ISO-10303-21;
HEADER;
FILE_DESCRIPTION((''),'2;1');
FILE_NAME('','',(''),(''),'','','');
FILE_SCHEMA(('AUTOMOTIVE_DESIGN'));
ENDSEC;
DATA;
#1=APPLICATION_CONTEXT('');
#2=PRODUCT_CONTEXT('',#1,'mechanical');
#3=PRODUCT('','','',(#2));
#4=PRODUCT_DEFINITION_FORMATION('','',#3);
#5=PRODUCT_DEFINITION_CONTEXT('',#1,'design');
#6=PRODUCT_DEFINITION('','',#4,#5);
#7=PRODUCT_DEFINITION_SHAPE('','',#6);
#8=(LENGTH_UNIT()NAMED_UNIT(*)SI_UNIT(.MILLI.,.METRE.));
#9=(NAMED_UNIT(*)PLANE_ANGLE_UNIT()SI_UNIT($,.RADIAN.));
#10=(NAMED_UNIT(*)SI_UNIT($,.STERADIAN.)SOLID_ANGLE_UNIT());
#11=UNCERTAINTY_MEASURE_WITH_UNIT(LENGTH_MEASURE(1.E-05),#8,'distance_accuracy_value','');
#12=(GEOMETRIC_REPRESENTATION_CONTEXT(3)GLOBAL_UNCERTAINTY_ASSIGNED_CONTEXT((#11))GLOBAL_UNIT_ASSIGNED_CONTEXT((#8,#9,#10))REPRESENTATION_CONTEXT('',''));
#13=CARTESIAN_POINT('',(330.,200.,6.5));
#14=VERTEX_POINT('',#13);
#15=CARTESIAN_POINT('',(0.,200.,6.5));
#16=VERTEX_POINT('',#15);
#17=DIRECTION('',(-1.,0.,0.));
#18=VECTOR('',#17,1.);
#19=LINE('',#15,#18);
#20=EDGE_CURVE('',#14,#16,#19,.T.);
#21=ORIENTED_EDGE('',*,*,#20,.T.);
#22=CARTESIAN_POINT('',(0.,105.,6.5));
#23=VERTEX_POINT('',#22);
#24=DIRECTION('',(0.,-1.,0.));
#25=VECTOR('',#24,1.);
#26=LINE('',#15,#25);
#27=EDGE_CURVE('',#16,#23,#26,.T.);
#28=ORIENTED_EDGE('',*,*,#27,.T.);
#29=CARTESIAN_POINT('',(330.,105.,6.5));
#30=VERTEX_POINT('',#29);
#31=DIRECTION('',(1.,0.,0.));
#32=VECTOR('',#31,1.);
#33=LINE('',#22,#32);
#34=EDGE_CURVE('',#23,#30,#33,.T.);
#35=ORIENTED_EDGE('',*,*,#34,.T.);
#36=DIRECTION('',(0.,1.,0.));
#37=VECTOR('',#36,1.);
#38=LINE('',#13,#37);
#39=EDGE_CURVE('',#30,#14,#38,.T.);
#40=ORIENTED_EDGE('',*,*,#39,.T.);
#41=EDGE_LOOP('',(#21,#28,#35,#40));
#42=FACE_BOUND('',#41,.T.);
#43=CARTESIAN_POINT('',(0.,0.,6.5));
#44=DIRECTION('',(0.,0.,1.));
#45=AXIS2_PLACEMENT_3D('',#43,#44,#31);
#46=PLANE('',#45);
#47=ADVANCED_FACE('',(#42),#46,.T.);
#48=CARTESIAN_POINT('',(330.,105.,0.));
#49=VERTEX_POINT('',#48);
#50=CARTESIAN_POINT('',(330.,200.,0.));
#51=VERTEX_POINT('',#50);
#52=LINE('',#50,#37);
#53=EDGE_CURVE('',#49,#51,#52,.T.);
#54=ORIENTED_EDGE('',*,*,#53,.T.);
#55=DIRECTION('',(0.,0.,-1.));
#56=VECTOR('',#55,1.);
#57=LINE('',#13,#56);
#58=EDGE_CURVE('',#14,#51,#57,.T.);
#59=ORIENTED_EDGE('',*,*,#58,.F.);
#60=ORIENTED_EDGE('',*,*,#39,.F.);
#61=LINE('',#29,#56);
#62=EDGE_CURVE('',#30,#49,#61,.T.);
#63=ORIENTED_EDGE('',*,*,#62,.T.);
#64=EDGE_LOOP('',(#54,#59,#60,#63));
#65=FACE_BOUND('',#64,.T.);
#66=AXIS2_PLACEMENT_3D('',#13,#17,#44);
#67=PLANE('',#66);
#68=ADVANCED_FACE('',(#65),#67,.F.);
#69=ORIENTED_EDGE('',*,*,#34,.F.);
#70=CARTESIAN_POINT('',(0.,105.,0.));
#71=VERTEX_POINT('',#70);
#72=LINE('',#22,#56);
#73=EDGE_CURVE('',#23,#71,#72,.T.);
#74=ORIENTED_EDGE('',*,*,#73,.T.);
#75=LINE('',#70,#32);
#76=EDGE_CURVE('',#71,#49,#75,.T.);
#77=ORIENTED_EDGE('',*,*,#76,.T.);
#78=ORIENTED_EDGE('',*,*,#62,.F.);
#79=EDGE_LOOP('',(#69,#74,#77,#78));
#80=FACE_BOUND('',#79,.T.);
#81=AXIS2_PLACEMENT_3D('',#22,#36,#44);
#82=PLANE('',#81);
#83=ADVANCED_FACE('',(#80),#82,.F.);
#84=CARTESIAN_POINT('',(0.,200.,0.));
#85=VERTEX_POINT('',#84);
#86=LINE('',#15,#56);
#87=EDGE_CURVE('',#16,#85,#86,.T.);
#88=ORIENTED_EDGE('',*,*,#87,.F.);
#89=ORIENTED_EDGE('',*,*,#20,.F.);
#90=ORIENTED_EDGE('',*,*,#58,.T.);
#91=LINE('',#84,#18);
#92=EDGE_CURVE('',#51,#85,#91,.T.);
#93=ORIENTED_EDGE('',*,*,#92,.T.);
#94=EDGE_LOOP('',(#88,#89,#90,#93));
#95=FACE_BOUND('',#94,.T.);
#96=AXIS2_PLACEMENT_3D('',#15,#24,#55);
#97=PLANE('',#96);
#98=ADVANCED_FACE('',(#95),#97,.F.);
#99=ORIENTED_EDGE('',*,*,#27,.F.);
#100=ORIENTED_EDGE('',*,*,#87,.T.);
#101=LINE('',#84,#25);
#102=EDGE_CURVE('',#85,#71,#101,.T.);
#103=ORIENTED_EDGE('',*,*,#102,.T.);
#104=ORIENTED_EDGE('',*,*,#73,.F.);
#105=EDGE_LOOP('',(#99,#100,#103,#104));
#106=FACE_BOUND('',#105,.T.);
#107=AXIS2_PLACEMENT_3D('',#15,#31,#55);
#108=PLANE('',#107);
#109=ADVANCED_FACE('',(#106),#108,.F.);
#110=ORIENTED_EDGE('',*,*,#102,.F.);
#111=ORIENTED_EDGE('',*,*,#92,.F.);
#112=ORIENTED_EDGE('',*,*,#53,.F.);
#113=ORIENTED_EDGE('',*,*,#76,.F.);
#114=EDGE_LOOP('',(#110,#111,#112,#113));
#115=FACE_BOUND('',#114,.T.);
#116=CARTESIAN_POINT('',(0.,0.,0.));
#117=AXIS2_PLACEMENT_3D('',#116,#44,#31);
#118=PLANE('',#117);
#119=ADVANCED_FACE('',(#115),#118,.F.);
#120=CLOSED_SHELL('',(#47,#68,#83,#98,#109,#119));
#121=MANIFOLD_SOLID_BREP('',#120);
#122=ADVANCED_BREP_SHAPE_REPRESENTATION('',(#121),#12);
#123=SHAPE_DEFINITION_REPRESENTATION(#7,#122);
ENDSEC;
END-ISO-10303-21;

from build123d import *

# Parameters (mm, degrees)
SKETCH1_W           = 330
SKETCH1_H           = 95
BOSS_EXTRUDE1_DEPTH = 6.5


with BuildPart() as part:
    # Sketch1 → Boss-Extrude1 (new body)
    with BuildSketch(Plane.XY):
        with Locations((165, 152.5)):
            Rectangle(SKETCH1_W, SKETCH1_H)
    extrude(amount=BOSS_EXTRUDE1_DEPTH)


solid = part.part
